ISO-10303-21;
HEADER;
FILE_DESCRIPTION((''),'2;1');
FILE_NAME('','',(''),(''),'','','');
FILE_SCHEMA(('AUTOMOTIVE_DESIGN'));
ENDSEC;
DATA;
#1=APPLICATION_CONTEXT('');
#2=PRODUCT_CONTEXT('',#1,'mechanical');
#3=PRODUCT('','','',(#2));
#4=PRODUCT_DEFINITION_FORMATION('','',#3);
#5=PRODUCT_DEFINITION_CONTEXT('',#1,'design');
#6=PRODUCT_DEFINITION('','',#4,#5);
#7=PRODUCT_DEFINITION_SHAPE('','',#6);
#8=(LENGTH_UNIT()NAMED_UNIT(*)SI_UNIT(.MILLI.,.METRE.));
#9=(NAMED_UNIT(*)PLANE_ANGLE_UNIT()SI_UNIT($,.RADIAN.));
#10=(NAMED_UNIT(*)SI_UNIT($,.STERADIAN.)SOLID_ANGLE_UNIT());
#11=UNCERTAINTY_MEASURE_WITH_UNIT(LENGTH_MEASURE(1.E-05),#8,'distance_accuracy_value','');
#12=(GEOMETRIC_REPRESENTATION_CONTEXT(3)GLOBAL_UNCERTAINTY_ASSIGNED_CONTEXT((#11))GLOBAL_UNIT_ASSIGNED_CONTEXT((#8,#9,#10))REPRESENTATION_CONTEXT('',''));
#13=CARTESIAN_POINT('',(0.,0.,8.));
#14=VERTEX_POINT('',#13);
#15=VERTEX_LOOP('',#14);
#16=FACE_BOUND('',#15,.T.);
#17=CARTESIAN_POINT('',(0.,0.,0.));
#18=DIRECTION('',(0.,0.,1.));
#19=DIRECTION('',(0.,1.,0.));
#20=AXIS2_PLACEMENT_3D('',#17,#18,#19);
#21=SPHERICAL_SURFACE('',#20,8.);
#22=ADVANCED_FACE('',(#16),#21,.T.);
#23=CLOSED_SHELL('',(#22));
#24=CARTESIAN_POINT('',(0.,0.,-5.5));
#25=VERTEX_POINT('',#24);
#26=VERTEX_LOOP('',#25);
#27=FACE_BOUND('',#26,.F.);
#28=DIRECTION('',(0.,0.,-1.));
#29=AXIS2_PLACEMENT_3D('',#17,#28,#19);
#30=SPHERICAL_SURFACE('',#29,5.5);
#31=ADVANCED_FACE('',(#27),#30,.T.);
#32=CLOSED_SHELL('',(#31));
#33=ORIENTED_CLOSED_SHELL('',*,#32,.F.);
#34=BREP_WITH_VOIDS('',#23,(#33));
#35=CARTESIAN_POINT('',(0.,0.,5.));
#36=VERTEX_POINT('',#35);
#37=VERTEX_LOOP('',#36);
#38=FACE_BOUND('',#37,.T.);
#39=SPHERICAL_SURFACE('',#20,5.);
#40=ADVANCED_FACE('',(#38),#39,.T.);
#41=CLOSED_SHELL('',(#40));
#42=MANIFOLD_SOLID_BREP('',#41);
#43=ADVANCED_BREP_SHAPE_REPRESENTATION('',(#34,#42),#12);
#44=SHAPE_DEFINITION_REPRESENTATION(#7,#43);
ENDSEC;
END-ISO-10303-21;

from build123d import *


with BuildPart() as f1:
    # F0 (on Right) → F1 (revolve)
    with BuildSketch(Plane.YZ):
        with BuildLine():
            Line((0, 5), (0, -5))
            ThreePointArc((0, -5), (5, 0), (0, 5))
        make_face()
    revolve(axis=Axis((0, 0, 0), (0, 0, 1)))


with BuildPart() as f2:
    # F0 (on Right) → F2 (revolve)
    with BuildSketch(Plane.YZ):
        with BuildLine():
            ThreePointArc((0, 5.5), (5.5, 0), (0, -5.5))
            Line((0, -5.5), (0, -8))
            ThreePointArc((0, -8), (8, 0), (0, 8))
            Line((0, 8), (0, 5.5))
        make_face()
    revolve(axis=Axis((0, 0, 6.5), (0, 0, 1)))


solid = Compound([f1.part, f2.part])
